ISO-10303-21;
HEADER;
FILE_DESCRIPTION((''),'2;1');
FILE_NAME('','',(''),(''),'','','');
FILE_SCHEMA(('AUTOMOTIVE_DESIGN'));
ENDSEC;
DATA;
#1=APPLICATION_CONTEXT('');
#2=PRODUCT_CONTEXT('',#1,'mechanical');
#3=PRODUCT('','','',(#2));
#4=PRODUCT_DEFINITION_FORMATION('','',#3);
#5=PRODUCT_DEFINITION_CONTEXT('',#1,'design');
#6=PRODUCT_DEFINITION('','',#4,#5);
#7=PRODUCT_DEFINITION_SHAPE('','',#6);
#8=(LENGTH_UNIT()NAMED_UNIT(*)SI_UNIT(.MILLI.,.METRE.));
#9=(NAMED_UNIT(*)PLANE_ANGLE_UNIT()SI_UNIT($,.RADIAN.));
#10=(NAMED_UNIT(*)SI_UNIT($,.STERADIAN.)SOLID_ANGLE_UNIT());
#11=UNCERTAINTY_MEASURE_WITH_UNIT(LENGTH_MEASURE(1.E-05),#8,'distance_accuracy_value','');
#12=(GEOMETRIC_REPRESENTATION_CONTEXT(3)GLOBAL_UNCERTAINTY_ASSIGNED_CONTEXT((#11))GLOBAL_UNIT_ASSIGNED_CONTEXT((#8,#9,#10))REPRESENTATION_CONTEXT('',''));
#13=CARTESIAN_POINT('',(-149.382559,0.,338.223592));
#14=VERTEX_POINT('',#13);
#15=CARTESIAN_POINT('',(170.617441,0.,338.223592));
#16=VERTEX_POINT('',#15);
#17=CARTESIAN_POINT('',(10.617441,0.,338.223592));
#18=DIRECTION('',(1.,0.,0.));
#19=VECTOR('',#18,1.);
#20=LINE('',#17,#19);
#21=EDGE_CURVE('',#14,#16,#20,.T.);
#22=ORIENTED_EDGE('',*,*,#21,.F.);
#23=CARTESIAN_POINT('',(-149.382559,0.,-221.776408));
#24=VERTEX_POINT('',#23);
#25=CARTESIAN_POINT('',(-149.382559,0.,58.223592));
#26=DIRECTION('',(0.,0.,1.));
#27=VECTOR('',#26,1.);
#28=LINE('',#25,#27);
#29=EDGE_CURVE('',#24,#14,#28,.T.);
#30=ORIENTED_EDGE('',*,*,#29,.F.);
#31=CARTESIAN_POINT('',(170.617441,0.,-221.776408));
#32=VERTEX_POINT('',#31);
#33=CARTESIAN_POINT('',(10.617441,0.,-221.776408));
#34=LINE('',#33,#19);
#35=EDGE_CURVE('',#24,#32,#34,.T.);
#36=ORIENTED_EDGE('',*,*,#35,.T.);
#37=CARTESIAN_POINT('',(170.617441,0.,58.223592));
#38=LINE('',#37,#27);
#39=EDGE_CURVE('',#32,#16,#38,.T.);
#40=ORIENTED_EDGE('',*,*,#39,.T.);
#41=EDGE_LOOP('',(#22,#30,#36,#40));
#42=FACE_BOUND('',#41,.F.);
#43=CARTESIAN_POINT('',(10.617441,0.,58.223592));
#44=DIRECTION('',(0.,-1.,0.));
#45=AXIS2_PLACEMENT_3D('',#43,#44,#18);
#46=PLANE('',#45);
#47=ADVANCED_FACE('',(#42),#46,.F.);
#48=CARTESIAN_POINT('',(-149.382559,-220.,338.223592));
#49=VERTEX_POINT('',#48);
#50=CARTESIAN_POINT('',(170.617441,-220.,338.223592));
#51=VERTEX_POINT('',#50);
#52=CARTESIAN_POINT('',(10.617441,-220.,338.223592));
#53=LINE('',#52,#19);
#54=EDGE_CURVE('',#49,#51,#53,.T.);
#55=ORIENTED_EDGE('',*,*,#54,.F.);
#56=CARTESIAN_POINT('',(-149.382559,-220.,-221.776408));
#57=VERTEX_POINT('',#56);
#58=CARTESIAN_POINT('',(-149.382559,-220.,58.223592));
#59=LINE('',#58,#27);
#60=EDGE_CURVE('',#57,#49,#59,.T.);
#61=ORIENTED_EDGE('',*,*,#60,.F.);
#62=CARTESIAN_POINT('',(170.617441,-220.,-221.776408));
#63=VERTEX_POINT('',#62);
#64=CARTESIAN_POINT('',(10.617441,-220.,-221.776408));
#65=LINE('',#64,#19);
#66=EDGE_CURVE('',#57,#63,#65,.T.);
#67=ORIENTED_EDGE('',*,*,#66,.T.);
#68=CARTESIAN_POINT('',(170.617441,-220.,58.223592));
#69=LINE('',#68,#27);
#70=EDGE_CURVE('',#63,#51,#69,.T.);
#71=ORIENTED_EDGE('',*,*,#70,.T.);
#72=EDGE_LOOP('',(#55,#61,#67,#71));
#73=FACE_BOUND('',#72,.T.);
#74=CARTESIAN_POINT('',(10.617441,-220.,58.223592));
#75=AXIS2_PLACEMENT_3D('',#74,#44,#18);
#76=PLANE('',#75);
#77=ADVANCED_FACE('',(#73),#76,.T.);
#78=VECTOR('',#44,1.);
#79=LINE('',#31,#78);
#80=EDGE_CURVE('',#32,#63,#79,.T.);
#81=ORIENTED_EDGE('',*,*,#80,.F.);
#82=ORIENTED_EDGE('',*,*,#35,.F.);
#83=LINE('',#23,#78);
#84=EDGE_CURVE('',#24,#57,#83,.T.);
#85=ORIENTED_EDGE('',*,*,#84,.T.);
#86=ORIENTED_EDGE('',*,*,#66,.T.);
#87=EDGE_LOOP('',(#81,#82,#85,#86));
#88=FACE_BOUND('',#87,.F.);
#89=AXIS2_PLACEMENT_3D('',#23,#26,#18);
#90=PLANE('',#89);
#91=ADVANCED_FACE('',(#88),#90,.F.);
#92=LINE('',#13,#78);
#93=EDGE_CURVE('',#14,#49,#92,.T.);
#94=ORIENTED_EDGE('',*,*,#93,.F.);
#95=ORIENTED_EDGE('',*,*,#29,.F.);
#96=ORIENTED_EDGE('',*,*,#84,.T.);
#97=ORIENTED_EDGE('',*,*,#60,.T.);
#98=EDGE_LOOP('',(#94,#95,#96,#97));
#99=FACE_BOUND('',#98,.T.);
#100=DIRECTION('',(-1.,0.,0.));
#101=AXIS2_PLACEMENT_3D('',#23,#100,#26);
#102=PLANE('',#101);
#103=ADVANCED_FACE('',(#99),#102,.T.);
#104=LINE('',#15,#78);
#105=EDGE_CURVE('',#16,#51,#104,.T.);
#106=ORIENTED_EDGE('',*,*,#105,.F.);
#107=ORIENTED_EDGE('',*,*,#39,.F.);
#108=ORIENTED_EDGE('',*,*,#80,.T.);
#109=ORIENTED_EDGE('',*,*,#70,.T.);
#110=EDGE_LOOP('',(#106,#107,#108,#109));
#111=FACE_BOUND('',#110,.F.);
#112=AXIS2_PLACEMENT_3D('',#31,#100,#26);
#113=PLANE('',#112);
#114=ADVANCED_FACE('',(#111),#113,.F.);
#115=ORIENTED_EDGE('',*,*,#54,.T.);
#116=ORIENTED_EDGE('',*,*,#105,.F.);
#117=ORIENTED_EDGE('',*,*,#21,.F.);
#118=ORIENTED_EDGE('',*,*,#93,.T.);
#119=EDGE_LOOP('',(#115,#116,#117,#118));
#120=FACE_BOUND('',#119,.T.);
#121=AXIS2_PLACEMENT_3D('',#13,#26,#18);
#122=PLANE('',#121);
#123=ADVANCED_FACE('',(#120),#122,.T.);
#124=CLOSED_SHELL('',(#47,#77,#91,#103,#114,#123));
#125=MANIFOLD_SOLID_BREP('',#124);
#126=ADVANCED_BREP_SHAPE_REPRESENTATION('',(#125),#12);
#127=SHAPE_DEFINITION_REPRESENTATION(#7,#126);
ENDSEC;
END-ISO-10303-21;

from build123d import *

# Parameters (mm, degrees)
F0_W     = 320
F0_H     = 560
F1_DEPTH = 220
F2_W     = 300
F2_H     = 200
F3_DEPTH = 20


with BuildPart() as f1:
    # F0 (on Front) → F1 (new body)
    with BuildSketch(Plane.XZ):
        with Locations((10.617441, 58.223592)):
            Rectangle(F0_W, F0_H)
    extrude(amount=F1_DEPTH)

    # F2 (on face) → F3 (join)
    with BuildSketch(Plane.XY.offset(338.223592)):
        with Locations((10.617441, -110)):
            Rectangle(F2_W, F2_H)
    extrude(amount=-F3_DEPTH)


solid = f1.part
